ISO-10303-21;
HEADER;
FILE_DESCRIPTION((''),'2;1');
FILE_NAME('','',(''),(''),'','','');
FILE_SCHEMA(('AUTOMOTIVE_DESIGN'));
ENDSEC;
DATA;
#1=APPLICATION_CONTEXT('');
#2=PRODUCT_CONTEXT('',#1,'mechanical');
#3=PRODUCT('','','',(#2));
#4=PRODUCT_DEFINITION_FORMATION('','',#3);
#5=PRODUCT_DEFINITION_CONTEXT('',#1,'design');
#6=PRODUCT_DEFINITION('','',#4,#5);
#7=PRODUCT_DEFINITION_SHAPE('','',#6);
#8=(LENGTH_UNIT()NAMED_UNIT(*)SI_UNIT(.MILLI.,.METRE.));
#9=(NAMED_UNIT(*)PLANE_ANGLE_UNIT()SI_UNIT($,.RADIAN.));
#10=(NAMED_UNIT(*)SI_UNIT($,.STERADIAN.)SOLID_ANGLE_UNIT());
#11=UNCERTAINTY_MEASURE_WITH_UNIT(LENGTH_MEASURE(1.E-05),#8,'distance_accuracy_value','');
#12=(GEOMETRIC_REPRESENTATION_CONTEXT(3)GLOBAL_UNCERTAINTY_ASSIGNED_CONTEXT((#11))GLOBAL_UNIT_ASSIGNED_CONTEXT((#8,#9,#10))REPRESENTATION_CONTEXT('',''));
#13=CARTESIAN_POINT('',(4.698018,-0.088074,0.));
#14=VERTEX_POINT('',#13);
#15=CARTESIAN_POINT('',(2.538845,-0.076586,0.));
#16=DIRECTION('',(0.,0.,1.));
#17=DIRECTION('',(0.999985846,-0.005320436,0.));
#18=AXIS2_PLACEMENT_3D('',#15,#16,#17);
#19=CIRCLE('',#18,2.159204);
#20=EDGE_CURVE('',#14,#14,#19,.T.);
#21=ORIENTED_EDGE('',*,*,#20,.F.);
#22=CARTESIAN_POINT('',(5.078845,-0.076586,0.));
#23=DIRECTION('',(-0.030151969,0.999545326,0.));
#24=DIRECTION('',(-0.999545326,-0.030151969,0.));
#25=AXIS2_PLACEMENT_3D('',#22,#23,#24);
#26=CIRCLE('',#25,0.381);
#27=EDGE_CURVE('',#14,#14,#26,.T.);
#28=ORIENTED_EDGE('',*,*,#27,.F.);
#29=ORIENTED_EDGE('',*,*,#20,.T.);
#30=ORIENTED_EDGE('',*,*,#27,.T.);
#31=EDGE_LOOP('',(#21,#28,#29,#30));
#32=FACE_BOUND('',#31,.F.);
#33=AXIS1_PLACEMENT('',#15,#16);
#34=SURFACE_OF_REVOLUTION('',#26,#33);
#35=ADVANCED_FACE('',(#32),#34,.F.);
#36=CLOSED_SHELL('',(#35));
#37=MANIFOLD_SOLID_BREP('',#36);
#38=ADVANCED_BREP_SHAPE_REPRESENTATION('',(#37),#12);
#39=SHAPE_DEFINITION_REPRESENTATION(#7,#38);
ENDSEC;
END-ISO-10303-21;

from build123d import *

# Parameters (mm, degrees)
F0_R = 0.381


with BuildPart() as f2:
    # F2: sweep along a path in F1
    with BuildLine(Plane.XY) as f2_path:
        CenterArc((2.538845, -0.076586), 2.54, 0, 360)
    # F0 (on Front) → F2 (sweep)
    with BuildSketch(Plane.XZ):
        Circle(F0_R)
    sweep(path=f2_path.line)


solid = f2.part
